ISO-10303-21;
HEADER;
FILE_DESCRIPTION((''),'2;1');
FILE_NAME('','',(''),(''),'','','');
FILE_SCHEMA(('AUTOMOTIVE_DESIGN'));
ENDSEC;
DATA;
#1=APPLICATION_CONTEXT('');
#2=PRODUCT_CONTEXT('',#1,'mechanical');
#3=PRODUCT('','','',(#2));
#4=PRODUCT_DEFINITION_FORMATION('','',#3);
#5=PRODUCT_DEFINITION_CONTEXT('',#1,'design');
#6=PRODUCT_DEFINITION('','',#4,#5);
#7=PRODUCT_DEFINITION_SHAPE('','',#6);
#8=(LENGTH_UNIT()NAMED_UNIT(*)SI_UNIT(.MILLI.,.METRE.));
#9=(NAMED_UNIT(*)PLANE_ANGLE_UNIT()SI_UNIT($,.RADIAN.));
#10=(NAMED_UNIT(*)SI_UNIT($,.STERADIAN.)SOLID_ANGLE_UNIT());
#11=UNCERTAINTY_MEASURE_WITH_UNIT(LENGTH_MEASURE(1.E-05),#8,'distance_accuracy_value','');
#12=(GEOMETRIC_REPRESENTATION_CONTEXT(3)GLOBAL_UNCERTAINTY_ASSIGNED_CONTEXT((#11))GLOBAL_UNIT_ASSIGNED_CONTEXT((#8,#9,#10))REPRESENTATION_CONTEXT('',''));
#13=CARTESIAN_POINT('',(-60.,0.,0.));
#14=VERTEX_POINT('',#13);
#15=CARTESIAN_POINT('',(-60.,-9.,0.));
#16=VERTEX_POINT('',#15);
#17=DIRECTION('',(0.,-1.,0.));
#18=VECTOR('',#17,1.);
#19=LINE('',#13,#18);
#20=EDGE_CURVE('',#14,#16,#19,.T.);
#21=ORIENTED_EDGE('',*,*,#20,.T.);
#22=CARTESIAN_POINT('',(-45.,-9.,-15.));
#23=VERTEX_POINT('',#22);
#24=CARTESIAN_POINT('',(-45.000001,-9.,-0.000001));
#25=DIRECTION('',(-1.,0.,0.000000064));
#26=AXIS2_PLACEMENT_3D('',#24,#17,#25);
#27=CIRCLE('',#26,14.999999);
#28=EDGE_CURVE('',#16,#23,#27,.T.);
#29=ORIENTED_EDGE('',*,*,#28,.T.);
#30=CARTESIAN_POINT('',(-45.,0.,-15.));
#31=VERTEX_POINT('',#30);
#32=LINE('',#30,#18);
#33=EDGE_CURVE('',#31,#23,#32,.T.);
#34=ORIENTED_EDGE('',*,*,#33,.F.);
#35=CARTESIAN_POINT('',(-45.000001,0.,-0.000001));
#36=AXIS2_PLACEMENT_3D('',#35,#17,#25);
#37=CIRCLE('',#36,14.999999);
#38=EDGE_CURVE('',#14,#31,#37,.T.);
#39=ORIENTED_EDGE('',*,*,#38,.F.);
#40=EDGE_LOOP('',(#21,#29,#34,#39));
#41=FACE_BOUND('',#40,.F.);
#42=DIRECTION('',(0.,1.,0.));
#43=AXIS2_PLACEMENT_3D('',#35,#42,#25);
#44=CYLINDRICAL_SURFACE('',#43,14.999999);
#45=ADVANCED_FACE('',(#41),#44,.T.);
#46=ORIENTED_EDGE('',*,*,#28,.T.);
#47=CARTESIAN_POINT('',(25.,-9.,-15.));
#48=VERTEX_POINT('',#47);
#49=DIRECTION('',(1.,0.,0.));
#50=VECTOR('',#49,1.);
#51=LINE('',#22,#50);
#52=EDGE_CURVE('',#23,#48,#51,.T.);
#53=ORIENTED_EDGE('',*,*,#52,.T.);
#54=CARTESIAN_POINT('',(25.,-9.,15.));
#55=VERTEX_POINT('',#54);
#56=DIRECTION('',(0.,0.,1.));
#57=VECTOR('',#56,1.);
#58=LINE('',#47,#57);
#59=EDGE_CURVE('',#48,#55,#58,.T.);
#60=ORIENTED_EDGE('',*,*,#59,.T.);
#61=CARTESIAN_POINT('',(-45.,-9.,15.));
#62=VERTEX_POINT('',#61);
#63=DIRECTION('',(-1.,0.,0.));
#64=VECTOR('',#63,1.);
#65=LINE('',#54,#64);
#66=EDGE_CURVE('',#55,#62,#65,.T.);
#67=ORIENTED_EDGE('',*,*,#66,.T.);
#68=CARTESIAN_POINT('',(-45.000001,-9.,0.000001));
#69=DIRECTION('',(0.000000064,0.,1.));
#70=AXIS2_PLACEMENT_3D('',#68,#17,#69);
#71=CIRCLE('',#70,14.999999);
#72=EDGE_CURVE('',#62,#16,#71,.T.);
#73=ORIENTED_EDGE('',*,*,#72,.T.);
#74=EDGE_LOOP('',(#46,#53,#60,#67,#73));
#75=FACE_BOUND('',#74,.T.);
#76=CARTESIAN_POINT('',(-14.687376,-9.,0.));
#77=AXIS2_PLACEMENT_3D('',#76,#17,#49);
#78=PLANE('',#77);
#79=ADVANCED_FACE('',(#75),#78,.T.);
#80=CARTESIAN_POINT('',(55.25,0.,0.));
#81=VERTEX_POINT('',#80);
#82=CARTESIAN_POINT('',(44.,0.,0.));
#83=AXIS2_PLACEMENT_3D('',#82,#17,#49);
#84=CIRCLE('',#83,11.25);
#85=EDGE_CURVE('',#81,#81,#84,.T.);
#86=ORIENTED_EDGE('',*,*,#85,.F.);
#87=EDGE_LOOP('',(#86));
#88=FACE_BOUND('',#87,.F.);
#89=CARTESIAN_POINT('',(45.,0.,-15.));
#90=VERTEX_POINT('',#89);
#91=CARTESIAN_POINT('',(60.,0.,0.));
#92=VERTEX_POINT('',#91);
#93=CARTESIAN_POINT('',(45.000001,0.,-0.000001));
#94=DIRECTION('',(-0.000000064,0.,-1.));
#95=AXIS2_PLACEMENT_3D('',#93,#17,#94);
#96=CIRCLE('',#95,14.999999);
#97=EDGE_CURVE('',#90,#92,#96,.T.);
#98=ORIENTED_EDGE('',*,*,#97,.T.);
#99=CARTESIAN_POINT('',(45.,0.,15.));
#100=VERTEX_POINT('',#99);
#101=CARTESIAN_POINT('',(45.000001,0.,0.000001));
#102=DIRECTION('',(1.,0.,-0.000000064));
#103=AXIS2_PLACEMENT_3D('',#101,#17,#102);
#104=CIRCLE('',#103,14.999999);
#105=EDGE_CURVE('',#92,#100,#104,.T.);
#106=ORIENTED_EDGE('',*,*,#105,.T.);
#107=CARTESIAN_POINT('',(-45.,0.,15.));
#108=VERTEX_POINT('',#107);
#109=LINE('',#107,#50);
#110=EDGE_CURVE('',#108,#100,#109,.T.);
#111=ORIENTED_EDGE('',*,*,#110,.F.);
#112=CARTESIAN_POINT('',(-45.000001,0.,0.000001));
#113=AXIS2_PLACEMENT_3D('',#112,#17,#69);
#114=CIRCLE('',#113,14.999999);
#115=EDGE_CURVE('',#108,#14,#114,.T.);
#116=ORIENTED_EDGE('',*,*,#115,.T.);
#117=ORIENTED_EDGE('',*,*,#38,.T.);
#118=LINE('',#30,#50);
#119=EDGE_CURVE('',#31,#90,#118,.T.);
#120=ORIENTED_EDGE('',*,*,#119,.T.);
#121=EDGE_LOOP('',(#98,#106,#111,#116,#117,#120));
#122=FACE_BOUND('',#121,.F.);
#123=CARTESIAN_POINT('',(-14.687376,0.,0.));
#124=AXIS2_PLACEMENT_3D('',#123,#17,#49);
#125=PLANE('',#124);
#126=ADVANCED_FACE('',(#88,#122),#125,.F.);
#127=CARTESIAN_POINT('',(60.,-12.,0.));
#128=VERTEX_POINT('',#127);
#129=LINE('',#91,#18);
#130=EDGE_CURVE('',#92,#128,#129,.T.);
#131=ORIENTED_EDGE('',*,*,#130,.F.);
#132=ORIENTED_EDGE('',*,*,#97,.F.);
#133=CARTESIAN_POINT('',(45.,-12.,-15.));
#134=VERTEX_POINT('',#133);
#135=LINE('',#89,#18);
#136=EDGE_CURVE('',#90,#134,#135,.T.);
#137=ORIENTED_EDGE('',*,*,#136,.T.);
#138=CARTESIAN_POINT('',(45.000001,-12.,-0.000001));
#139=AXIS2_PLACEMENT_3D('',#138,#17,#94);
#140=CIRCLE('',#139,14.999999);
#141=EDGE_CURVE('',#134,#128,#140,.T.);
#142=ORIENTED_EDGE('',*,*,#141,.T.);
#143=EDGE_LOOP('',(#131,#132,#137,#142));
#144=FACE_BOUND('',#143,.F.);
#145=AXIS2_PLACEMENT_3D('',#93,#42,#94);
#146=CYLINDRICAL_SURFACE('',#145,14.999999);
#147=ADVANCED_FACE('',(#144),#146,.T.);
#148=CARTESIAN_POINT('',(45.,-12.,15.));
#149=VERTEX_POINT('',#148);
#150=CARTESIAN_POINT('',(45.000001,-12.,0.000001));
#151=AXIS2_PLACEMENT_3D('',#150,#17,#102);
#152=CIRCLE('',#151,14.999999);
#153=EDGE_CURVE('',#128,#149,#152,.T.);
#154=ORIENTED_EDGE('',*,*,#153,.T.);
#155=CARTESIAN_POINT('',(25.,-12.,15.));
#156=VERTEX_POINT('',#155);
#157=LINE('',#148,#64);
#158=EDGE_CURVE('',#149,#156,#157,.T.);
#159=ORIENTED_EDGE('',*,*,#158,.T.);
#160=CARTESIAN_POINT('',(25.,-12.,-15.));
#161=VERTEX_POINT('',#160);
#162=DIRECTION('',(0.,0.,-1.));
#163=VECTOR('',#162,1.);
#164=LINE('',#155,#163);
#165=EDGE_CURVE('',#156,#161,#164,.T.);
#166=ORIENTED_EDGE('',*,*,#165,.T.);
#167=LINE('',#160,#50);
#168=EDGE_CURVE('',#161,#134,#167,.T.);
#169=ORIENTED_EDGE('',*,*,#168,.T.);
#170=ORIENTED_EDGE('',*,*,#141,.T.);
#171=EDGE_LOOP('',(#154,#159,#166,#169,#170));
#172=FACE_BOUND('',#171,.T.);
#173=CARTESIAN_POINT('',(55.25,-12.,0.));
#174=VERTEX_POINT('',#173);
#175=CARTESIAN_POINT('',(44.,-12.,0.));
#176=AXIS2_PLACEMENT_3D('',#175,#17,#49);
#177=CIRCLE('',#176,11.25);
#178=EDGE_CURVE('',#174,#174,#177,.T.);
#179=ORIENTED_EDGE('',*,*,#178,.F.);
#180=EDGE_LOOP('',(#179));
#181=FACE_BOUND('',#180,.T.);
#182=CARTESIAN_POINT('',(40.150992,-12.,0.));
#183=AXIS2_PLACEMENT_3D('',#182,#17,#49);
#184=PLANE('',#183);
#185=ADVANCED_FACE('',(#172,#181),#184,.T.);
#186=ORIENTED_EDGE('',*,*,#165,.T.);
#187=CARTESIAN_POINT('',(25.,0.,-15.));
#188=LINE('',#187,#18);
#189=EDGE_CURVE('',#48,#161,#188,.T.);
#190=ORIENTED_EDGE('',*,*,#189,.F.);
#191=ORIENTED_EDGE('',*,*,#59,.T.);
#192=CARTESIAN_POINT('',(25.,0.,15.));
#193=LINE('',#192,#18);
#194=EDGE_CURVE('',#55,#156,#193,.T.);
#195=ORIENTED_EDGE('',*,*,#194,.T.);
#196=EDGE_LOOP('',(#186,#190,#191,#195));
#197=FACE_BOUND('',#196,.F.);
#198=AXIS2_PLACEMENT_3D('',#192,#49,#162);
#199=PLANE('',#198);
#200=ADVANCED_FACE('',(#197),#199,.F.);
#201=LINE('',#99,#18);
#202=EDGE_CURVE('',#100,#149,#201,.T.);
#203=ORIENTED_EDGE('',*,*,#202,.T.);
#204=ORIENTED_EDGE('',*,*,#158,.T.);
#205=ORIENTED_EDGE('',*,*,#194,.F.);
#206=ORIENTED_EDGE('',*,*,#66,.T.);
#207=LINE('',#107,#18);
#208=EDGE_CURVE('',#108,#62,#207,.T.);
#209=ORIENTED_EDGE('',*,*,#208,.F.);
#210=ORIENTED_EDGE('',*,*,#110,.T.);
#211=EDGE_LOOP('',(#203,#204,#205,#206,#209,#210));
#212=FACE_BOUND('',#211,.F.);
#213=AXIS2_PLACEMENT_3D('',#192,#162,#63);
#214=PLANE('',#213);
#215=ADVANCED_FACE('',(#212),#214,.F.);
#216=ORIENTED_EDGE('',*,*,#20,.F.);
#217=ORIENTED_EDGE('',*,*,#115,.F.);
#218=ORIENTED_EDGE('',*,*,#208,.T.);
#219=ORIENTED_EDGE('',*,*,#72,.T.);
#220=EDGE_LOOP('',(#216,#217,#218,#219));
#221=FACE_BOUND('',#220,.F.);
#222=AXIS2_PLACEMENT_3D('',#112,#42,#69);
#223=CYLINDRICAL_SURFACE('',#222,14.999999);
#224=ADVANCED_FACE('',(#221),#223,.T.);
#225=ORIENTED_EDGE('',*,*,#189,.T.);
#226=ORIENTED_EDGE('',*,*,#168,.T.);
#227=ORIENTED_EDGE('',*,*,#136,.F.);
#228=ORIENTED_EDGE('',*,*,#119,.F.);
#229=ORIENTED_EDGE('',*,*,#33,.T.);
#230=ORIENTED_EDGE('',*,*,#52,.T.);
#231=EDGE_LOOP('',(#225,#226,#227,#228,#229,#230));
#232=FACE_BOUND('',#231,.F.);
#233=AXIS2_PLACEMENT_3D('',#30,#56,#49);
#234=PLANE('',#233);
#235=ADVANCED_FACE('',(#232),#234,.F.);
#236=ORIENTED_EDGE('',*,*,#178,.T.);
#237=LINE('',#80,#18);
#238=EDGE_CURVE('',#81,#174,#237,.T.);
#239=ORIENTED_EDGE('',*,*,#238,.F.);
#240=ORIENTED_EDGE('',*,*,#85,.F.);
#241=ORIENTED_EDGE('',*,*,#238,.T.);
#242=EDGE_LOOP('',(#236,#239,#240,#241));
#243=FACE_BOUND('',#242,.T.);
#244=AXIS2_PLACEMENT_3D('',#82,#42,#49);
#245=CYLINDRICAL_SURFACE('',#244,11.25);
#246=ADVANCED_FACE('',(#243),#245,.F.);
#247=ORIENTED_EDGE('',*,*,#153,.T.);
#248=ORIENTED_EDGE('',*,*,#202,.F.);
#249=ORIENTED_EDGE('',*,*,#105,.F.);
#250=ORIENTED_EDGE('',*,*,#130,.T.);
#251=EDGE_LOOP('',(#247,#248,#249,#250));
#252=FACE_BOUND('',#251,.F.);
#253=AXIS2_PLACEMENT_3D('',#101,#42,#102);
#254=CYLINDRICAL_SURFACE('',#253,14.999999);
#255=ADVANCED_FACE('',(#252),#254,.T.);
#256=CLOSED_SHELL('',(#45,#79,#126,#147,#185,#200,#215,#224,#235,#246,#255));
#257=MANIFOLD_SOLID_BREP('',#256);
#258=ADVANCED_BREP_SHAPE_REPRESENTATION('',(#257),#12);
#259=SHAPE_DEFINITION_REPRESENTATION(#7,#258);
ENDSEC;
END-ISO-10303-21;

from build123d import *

# Parameters (mm, degrees)
F0_R     = 11.25
F1_DEPTH = 12
F2_DEPTH = 9


with BuildPart() as f1:
    # F0 (on Front) → F1 (new body)
    with BuildSketch(Plane.XZ):
        with BuildLine():
            Line((25, -15), (45, -15))
            ThreePointArc((45, -15), (55.606602, -10.606602), (60, 0))
            ThreePointArc((60, 0), (55.606602, 10.606602), (45, 15))
            Line((45, 15), (25, 15))
            Line((25, 15), (25, -15))
        make_face()
        with Locations((44, 0)):
            Circle(F0_R, mode=Mode.SUBTRACT)
    extrude(amount=F1_DEPTH)

    # F0 (on Front) → F2 (join)
    with BuildSketch(Plane.XZ):
        with BuildLine():
            Line((-45, -15), (25, -15))
            Line((25, -15), (25, 15))
            Line((25, 15), (-45, 15))
            ThreePointArc((-45, 15), (-55.606602, 10.606602), (-60, 0))
            ThreePointArc((-60, 0), (-55.606602, -10.606602), (-45, -15))
        make_face()
    extrude(amount=F2_DEPTH)


solid = f1.part
